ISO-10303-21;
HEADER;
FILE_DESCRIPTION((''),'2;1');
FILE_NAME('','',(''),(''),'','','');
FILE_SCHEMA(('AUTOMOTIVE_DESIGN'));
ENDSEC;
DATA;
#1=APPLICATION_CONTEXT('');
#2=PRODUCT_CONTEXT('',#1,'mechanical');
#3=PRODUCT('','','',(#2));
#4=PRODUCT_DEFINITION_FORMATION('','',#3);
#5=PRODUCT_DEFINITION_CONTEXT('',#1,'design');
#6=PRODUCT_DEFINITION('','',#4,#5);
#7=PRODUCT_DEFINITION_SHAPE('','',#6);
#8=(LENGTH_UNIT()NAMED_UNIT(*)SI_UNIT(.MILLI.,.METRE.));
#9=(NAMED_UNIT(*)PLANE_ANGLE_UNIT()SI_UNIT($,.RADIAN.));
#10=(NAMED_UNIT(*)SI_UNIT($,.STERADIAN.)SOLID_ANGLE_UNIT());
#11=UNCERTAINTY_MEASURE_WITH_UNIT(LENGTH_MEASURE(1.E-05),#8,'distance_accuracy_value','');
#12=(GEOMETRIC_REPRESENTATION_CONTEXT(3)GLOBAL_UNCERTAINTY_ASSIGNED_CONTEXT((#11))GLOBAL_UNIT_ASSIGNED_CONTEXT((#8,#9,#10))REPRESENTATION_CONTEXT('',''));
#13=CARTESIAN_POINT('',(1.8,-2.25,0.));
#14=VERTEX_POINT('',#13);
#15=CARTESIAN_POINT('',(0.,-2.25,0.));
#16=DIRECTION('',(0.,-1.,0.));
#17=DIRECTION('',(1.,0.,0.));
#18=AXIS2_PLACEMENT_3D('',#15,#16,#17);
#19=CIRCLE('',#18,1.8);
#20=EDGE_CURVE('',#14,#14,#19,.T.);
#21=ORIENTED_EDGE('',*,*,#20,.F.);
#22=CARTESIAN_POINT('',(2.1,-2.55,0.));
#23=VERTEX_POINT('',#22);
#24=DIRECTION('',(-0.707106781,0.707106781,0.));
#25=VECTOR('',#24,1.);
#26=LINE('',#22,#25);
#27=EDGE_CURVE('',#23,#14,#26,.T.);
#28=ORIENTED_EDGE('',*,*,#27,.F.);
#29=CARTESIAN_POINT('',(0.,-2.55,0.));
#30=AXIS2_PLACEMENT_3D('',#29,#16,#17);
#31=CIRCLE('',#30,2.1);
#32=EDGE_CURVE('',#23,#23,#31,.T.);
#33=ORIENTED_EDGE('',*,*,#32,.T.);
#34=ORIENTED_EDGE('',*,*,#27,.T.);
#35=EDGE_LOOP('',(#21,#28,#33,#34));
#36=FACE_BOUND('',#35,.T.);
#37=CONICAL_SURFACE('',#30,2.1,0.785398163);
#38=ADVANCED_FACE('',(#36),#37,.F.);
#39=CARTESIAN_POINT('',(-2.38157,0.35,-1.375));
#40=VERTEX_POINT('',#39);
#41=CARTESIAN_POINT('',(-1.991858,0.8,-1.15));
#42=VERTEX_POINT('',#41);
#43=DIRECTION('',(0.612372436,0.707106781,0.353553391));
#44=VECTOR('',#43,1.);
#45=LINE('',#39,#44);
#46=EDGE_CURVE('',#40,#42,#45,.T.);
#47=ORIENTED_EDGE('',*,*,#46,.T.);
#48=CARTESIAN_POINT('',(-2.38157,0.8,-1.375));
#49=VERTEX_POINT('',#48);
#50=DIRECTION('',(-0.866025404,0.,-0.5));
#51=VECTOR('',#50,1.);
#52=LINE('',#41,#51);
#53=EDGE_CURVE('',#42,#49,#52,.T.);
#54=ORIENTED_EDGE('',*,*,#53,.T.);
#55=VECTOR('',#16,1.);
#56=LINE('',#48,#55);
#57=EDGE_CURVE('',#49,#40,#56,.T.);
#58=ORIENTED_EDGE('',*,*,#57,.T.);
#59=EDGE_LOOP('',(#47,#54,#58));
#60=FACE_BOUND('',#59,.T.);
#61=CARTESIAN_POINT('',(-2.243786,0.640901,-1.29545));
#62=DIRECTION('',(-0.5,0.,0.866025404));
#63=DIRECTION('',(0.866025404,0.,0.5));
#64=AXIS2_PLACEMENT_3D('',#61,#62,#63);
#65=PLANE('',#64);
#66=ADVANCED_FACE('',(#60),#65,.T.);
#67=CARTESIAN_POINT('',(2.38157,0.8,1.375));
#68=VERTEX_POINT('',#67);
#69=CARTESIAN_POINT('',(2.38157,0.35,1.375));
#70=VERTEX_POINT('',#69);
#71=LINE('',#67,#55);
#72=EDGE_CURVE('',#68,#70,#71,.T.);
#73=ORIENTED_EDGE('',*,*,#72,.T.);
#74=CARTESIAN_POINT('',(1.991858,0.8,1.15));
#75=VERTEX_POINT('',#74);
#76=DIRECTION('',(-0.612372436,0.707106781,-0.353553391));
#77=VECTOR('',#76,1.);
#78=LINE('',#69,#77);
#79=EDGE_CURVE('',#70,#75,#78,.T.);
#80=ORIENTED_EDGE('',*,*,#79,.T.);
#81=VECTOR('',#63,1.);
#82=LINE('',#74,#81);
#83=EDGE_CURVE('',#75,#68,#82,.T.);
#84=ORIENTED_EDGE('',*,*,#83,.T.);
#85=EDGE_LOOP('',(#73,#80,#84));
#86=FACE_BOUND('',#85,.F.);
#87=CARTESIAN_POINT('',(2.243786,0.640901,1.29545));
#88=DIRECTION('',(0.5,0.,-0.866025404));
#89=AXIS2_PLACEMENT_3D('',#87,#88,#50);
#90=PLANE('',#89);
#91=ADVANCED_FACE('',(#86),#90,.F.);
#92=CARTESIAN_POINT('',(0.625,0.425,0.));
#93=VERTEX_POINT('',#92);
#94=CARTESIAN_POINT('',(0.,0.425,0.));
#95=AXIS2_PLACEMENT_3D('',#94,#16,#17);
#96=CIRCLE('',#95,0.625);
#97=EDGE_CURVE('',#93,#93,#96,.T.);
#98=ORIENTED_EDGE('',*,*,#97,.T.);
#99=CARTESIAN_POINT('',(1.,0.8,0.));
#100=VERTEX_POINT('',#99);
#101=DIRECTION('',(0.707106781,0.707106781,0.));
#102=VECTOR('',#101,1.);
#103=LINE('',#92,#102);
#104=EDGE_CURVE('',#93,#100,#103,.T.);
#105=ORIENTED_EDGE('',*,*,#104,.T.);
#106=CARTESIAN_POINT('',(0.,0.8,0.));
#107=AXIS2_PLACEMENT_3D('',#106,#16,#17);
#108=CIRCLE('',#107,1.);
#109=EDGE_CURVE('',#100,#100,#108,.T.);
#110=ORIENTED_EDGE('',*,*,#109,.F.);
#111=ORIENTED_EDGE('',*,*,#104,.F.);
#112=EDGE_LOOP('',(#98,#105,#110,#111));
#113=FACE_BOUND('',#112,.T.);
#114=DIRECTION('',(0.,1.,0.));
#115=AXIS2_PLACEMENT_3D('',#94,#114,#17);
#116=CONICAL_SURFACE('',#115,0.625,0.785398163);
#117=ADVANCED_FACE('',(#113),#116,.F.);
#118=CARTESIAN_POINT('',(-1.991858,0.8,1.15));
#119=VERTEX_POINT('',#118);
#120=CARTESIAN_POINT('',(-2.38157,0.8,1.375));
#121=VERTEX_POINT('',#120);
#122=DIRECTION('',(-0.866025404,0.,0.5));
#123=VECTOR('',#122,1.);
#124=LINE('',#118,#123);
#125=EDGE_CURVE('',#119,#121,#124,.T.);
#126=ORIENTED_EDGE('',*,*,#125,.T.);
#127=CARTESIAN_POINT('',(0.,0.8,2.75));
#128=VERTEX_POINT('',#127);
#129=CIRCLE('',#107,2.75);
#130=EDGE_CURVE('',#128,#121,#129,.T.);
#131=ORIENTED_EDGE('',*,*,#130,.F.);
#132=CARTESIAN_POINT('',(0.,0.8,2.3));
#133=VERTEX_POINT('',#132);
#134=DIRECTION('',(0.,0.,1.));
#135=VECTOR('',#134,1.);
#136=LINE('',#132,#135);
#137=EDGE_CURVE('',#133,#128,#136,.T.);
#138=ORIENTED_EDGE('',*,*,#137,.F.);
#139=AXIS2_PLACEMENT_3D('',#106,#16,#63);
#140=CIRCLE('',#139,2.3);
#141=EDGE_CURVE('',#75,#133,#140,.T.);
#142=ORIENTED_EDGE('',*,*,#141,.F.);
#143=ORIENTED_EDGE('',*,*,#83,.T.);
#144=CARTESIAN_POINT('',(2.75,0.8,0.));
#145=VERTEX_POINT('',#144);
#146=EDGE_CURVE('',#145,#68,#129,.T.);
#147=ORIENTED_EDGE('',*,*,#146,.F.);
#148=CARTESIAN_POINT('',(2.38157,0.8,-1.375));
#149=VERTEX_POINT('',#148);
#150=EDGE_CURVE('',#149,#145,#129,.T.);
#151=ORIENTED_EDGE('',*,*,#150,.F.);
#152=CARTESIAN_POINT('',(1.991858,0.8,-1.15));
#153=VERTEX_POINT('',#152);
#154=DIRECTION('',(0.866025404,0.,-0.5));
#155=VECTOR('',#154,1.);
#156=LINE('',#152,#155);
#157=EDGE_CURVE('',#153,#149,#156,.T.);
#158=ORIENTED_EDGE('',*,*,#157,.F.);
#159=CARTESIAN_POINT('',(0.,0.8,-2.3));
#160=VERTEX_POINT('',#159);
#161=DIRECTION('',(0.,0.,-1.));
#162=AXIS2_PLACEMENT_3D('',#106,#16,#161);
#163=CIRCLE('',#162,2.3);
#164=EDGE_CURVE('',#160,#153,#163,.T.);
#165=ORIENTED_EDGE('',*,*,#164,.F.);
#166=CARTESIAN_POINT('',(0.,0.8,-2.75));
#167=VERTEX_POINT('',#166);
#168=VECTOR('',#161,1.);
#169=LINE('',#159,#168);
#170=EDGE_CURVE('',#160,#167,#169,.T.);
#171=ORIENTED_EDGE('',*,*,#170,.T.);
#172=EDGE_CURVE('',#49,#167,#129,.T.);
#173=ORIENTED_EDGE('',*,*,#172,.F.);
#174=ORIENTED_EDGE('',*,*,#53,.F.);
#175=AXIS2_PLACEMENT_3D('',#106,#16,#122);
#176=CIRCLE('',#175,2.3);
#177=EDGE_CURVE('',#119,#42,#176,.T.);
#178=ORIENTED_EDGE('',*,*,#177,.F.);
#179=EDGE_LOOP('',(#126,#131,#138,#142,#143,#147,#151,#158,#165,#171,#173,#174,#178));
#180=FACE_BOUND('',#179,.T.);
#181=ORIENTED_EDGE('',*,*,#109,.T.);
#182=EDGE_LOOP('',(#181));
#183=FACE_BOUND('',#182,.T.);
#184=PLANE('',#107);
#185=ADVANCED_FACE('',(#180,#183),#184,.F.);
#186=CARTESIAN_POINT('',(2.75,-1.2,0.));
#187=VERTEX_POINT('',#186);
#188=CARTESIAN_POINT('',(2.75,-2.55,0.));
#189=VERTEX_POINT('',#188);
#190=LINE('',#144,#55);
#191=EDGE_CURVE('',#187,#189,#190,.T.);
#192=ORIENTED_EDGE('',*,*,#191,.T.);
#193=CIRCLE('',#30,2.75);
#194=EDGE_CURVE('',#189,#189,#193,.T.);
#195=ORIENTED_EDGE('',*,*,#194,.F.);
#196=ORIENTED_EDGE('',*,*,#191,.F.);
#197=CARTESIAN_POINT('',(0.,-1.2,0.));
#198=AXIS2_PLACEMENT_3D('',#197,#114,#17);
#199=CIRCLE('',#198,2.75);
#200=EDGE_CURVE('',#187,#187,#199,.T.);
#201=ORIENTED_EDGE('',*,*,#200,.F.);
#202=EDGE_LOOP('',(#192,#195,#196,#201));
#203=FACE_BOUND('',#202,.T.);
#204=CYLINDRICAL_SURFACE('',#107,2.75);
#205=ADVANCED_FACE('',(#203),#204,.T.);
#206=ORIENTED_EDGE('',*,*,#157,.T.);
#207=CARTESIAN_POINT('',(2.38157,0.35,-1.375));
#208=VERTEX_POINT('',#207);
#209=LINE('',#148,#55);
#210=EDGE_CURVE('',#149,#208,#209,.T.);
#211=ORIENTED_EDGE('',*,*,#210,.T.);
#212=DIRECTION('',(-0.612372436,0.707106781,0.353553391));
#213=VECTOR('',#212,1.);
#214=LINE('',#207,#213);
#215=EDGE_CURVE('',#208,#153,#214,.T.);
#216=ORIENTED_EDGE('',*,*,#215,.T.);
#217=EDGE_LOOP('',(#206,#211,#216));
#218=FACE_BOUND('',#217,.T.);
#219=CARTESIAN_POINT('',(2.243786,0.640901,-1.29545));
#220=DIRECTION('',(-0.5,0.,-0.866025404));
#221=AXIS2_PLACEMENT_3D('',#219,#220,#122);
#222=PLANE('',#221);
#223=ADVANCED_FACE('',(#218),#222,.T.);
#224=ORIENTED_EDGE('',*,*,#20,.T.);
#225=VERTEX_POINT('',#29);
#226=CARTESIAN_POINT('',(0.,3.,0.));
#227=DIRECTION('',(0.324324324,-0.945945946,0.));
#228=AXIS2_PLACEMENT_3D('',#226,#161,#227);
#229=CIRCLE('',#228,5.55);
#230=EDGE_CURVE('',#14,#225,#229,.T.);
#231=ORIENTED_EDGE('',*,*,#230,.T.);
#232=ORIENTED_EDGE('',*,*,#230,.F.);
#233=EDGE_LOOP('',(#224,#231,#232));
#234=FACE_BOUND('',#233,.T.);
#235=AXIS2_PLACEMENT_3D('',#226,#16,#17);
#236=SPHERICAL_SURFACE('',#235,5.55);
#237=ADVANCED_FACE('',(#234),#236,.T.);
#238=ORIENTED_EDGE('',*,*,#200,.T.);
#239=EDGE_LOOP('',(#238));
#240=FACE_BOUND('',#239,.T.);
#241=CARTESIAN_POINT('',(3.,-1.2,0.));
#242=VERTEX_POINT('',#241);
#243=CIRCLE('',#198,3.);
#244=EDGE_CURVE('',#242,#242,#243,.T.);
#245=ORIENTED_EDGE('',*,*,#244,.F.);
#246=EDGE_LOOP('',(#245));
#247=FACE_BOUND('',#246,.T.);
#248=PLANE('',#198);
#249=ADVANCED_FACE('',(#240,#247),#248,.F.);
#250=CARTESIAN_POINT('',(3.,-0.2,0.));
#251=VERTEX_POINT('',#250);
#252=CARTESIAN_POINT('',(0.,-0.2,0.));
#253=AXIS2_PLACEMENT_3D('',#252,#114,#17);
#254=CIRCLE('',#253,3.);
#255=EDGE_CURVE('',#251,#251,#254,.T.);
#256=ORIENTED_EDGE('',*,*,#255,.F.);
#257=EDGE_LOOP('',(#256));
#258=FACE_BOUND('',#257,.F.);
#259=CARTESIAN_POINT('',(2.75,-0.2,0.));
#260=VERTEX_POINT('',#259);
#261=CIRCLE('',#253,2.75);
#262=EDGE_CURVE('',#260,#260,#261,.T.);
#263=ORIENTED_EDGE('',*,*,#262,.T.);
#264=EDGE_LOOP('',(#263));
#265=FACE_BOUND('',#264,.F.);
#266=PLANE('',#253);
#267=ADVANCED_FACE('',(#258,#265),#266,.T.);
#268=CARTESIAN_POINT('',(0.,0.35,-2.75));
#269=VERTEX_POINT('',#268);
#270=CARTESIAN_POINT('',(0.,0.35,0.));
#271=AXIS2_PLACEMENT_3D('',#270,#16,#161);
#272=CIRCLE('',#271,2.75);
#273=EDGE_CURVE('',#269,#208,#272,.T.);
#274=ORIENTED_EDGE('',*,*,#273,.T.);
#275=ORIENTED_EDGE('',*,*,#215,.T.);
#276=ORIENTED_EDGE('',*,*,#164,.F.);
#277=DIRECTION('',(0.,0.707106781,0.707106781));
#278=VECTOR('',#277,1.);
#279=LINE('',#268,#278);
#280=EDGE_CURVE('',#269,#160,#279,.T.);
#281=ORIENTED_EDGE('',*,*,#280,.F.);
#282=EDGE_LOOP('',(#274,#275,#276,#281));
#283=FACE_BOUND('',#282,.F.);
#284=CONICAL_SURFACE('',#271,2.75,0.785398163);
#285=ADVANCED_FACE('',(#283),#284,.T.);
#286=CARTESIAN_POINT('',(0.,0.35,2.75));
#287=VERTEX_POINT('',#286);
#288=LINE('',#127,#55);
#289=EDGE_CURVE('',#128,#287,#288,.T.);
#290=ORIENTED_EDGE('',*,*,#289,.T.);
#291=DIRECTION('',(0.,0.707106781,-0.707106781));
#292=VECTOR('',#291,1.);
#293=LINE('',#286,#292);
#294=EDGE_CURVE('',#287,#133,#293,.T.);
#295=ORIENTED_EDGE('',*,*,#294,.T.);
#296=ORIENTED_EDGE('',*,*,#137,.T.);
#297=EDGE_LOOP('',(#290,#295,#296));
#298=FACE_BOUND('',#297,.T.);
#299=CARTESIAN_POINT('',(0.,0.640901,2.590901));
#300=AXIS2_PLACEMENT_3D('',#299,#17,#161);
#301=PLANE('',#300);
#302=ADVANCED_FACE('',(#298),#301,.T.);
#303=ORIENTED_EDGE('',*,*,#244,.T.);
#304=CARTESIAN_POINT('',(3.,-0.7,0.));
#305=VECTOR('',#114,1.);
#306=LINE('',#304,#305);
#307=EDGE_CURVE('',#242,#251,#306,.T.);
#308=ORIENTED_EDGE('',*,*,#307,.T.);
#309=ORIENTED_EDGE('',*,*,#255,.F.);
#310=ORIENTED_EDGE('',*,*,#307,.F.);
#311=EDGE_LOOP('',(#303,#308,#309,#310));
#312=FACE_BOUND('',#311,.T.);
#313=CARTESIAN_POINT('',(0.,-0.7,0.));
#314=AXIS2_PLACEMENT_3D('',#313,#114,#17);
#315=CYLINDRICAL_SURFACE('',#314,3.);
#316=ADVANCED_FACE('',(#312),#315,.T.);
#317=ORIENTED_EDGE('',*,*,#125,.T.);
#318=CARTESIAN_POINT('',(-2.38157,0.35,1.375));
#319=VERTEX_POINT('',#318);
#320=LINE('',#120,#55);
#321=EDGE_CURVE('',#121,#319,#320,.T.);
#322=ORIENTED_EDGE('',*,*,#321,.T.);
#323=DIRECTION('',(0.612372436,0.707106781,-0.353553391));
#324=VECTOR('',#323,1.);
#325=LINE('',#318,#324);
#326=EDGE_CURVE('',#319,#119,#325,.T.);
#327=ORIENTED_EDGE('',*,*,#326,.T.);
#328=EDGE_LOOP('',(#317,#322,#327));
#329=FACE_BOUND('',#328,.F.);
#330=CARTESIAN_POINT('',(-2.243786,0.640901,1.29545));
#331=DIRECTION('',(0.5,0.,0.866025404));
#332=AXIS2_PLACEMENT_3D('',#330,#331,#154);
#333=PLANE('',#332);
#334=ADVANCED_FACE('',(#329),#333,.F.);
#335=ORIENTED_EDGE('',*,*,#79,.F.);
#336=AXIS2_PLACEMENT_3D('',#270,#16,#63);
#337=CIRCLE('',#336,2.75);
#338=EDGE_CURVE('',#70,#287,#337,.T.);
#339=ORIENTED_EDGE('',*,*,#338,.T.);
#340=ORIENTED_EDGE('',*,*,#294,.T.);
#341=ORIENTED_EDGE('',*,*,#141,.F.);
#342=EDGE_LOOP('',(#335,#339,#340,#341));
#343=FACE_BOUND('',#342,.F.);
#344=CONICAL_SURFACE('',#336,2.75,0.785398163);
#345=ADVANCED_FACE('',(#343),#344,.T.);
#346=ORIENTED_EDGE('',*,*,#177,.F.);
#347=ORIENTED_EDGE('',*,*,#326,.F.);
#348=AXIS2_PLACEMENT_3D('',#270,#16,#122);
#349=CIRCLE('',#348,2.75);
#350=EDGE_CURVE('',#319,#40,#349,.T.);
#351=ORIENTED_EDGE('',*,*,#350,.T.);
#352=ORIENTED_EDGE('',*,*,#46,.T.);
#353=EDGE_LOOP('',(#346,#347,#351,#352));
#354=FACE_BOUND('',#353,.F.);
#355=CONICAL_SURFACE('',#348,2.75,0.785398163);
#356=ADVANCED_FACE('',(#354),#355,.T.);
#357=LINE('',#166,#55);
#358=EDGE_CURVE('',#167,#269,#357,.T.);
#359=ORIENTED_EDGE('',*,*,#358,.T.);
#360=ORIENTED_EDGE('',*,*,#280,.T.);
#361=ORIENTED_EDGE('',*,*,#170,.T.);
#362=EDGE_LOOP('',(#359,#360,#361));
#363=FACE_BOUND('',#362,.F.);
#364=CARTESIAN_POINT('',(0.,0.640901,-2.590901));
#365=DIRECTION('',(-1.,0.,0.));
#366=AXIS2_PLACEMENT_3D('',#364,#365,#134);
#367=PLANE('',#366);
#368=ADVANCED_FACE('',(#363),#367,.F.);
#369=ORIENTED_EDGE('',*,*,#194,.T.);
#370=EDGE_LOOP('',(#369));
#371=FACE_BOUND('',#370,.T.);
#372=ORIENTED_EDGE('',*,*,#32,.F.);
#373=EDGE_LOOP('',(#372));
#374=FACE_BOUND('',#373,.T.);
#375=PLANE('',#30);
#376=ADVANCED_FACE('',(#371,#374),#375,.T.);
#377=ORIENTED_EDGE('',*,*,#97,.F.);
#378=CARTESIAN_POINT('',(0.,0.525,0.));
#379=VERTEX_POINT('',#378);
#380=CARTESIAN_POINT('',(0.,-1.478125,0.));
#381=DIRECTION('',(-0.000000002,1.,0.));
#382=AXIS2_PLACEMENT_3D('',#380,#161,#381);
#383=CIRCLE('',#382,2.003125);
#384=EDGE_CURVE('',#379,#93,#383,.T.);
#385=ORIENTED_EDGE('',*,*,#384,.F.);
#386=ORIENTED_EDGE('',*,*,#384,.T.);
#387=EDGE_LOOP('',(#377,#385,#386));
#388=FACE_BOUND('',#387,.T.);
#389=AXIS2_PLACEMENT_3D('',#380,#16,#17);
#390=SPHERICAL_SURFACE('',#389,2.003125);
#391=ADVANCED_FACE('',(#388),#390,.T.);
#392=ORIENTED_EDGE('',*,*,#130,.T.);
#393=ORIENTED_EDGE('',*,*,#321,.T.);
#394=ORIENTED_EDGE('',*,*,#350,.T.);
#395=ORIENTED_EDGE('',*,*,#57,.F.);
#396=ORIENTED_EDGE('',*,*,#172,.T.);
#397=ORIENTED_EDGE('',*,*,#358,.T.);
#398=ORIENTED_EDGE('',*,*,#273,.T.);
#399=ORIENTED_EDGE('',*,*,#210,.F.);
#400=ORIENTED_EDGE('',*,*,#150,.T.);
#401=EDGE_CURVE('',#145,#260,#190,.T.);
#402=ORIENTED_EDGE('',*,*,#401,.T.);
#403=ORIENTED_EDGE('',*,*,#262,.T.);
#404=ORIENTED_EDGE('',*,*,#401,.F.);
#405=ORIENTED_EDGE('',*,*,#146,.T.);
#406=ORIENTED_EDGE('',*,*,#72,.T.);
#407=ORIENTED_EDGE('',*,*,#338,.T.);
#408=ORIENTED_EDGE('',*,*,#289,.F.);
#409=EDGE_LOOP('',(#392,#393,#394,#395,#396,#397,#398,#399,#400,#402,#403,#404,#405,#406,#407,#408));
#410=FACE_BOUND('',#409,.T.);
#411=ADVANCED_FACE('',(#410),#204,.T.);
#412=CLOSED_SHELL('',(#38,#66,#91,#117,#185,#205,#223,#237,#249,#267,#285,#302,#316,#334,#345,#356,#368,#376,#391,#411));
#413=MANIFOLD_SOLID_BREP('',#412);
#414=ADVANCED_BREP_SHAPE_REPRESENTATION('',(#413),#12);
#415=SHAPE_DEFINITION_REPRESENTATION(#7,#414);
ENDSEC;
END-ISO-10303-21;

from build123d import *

# Parameters (mm, degrees)
SKIZZE4_W          = 0.25
SKIZZE4_H          = 1
TOOLFACE_ANGLE     = 60
KREISMUSTER1_COUNT = 3


with BuildPart() as part:
    # Skizze3 → Body (revolve)
    with BuildSketch(Plane.XY):
        with BuildLine():
            Line((1, 0.8), (2.75, 0.8))
            Line((2.75, 0.8), (2.75, -2.55))
            Line((2.75, -2.55), (2.1, -2.55))
            Line((2.1, -2.55), (1.8, -2.25))
            ThreePointArc((1.8, -2.25), (0.91241438, -2.474486277), (0, -2.55))
            Line((0, -2.55), (0, 0.525))
            ThreePointArc((0, 0.525), (0.316474723, 0.499842016), (0.625, 0.425))
            Line((0.625, 0.425), (1, 0.8))
        make_face()
    revolve(axis=Axis((0, 0, 0), (0, -1, 0)))

    # Skizze4 → Thread (revolve)
    with BuildSketch(Plane.XY):
        with Locations((2.875, -0.7)):
            Rectangle(SKIZZE4_W, SKIZZE4_H)
    revolve(axis=Axis((0, 0, 0), (0, 1, 0)))

    # Skizze5 → Toolface (revolve, cut)
    with BuildSketch(Plane(origin=(0, 0, 0), x_dir=(0, 0, -1), z_dir=(1, 0, 0))):
        Polygon((2.75, 0.8), (2.75, 0.35), (2.3, 0.8), align=None)
    toolface = revolve(axis=Axis((0, 0, 0), (0, -1, 0)), revolution_arc=TOOLFACE_ANGLE, mode=Mode.SUBTRACT)

    # Kreismuster1: Toolface ×3 about axis
    kreismuster1_axis = Axis((0, 0, 0), (0, 1, 0))
    for i in range(1, KREISMUSTER1_COUNT):
        add(toolface.rotate(kreismuster1_axis, i * 360 / KREISMUSTER1_COUNT), mode=Mode.SUBTRACT)


solid = part.part
